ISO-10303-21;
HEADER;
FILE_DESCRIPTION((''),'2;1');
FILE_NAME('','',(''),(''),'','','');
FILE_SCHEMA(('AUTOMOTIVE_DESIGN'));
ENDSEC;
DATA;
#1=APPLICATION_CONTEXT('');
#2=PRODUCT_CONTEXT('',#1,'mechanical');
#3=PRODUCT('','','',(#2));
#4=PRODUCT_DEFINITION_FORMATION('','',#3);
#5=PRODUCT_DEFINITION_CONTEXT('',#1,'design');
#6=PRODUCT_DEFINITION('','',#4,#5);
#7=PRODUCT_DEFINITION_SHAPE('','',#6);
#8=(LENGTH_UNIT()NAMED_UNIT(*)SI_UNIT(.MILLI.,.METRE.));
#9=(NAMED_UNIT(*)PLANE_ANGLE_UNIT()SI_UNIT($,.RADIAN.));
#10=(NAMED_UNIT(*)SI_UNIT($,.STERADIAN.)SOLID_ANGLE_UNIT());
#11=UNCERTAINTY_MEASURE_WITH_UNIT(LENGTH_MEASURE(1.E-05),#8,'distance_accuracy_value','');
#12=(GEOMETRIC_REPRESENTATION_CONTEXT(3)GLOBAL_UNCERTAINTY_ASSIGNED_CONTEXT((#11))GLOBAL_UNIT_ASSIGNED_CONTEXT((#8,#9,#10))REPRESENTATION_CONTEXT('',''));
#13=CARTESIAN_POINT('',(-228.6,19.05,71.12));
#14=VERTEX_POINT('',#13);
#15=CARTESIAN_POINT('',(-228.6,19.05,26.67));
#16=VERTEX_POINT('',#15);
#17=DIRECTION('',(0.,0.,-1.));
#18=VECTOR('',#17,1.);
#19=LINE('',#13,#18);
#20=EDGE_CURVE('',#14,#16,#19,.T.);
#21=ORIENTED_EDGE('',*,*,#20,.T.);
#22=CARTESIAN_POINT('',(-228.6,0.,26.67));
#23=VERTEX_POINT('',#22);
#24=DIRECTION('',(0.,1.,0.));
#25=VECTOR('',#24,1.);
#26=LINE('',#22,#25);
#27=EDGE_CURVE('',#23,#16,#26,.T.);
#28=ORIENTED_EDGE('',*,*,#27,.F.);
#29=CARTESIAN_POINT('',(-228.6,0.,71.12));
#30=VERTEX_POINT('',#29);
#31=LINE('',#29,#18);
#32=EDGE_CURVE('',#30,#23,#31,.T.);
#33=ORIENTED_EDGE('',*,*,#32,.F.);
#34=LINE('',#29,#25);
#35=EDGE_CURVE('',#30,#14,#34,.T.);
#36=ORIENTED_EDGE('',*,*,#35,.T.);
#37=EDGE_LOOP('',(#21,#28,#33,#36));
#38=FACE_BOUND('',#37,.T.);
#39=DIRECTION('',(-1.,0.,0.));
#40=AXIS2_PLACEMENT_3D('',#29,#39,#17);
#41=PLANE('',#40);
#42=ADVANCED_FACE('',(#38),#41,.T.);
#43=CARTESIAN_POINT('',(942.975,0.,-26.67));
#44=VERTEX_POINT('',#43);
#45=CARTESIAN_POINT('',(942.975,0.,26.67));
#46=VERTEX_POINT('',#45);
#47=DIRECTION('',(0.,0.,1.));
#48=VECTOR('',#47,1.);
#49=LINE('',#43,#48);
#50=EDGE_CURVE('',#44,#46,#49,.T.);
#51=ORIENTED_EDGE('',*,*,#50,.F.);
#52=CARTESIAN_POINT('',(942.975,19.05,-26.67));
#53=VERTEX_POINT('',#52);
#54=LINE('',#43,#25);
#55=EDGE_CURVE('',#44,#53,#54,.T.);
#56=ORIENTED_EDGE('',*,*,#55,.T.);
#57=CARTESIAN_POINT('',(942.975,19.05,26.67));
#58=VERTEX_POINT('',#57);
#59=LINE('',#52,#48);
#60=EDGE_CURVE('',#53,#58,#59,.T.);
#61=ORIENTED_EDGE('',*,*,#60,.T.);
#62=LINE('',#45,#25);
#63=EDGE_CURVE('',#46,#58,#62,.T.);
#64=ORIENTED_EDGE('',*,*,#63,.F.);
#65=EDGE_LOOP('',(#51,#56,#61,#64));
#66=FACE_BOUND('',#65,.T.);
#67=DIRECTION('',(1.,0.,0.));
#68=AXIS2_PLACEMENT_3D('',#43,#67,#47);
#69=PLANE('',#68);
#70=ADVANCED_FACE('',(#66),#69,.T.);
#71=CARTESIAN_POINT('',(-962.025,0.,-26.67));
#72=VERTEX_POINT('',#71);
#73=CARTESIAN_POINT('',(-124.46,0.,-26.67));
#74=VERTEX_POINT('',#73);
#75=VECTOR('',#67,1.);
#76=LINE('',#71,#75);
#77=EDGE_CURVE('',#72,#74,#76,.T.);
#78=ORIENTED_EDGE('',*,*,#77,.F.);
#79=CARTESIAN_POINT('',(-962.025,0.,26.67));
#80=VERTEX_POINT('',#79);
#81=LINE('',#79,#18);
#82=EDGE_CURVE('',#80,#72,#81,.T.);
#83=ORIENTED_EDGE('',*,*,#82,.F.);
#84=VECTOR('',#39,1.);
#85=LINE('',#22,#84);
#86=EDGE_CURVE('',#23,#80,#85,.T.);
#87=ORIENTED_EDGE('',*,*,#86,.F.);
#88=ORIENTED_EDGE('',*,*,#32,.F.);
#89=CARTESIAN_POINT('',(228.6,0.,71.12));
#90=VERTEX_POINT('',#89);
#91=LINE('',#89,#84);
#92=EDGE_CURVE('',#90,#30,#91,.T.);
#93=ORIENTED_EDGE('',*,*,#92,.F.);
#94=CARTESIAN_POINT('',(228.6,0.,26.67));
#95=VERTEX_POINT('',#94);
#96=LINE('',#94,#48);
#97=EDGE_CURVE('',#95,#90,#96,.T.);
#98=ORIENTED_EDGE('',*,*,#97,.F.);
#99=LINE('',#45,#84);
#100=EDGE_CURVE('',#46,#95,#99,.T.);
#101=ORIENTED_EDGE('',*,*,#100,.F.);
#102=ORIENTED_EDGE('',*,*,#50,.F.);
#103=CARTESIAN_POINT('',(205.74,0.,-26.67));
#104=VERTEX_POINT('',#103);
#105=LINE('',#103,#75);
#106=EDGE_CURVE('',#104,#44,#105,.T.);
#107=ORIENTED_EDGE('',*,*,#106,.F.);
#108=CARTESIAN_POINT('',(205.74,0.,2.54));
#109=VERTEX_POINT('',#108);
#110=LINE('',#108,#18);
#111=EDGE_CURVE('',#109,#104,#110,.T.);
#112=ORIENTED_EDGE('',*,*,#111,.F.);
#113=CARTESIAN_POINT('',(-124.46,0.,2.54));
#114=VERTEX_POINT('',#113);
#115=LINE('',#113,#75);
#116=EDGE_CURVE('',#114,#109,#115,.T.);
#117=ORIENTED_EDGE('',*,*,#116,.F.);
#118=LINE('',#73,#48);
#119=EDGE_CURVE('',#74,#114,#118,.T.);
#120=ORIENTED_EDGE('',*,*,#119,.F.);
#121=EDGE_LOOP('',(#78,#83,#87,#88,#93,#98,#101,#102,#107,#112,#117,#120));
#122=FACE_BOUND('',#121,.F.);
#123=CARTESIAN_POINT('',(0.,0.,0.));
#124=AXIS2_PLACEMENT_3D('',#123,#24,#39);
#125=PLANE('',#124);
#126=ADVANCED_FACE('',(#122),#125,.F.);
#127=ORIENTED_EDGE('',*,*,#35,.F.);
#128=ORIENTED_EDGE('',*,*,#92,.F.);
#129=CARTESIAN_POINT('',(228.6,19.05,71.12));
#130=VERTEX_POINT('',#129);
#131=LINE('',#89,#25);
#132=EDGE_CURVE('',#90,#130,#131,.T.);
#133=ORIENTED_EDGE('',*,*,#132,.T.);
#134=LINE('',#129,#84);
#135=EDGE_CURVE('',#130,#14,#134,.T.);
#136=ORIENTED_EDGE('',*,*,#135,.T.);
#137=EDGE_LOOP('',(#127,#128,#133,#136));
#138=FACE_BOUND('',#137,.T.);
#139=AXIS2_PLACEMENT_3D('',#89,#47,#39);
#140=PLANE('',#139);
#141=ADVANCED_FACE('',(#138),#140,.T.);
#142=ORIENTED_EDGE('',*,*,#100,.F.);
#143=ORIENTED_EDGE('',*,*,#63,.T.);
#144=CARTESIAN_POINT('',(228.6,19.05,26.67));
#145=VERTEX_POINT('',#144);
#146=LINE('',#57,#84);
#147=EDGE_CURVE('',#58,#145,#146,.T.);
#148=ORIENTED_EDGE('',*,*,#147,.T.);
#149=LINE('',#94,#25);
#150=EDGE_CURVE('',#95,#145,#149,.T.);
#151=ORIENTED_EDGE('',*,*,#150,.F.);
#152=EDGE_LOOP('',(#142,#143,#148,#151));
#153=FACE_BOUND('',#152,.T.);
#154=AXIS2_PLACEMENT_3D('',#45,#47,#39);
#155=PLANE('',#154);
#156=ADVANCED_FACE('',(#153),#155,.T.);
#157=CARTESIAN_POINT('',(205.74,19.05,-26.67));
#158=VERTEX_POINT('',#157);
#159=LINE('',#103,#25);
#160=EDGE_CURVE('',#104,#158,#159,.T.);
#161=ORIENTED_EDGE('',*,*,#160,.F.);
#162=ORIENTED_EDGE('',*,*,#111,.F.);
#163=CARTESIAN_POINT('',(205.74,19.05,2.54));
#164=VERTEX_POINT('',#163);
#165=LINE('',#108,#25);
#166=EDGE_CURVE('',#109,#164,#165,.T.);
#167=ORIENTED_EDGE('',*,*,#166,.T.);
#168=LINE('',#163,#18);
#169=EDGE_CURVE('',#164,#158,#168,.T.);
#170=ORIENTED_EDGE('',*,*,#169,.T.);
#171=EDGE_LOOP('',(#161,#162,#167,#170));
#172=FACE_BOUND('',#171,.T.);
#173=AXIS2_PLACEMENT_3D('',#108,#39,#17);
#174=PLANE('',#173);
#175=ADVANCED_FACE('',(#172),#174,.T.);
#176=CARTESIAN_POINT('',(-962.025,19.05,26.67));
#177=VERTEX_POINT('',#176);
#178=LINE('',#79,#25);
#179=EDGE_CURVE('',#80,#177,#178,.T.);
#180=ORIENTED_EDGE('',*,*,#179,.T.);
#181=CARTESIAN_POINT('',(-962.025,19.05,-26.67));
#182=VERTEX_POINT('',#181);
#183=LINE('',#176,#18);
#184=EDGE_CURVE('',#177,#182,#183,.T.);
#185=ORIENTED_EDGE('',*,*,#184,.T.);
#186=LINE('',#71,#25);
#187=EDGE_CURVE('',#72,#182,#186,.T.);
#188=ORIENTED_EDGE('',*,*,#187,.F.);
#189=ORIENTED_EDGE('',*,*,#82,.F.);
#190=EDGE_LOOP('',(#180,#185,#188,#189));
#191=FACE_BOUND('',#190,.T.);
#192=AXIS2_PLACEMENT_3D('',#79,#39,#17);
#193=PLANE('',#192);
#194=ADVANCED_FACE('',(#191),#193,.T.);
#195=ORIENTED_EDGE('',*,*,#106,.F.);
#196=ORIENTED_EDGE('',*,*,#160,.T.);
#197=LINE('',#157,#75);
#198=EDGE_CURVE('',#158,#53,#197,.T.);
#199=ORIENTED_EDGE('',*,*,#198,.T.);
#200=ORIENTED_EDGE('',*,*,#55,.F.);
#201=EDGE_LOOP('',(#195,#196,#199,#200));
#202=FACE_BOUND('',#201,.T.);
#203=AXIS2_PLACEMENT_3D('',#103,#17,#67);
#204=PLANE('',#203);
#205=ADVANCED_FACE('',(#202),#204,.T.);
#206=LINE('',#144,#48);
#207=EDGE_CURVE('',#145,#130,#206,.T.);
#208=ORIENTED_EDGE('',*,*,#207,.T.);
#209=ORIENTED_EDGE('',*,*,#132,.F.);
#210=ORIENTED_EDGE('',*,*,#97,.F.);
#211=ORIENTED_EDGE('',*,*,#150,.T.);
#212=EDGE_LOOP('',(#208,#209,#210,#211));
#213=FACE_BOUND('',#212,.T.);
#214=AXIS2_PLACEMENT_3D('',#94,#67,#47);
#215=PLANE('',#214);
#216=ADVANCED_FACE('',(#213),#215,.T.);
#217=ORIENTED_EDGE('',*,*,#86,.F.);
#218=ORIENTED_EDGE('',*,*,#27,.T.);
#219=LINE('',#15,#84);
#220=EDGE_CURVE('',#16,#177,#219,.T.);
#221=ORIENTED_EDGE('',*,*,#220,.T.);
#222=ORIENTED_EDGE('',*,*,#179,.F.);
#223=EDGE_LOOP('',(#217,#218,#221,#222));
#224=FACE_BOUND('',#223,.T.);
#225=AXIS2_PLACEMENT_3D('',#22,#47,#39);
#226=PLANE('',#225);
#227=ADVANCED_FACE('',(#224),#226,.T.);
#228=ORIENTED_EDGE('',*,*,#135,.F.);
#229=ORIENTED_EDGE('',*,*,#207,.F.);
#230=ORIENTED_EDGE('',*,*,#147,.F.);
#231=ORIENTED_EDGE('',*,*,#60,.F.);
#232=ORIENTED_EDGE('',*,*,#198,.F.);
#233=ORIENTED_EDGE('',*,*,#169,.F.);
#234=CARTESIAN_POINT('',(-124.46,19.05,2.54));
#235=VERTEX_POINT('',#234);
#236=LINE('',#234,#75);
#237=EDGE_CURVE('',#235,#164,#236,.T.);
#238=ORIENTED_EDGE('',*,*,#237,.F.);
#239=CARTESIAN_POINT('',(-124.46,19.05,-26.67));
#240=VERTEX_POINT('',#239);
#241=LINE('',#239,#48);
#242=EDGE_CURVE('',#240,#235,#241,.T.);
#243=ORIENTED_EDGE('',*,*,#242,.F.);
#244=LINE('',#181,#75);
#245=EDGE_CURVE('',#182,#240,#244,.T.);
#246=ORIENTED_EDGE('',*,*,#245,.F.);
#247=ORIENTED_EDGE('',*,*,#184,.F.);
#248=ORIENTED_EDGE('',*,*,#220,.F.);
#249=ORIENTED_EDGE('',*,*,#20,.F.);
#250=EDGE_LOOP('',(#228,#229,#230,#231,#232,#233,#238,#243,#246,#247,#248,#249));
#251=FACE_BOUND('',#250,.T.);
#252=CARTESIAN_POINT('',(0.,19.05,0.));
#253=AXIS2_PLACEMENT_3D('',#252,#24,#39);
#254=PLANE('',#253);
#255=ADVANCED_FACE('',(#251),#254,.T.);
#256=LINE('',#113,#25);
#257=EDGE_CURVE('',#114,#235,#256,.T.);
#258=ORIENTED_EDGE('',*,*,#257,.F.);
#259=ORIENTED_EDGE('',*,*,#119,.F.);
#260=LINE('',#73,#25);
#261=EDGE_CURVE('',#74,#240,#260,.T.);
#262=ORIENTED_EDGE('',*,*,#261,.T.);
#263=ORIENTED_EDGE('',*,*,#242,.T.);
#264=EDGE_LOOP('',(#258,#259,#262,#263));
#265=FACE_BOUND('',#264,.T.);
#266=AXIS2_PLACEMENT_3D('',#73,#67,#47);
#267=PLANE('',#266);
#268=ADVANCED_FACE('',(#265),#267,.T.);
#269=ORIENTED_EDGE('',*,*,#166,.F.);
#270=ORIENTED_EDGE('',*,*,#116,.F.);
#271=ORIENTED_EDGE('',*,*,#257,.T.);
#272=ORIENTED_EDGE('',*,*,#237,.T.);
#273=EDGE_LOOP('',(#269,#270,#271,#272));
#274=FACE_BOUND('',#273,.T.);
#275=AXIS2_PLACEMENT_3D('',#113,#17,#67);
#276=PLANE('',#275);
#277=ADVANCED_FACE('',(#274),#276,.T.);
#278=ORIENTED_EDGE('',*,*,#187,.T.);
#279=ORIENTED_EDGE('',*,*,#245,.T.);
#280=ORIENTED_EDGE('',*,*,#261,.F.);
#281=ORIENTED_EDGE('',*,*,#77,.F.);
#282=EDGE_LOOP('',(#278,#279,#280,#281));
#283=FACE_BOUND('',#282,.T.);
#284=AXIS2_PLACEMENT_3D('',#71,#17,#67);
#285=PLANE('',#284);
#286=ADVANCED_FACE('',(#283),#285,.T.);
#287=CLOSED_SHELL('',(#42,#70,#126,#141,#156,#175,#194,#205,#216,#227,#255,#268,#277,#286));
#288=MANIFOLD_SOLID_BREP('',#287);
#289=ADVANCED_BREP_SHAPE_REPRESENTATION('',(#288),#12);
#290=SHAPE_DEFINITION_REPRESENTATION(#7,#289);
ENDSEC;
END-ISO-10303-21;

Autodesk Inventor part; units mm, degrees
ref_plane "YZ Plane" through (0, 0, 0) normal (1, 0, 0) x (0, 1, 0)
ref_plane "XZ Plane" through (0, 0, 0) normal (0, 1, 0) x (-1, 0, 0)
ref_plane "XY Plane" through (0, 0, 0) normal (0, 0, 1) x (1, 0, 0)
sketch "Sketch1" plane through (0, 0, 0) normal (0, 1, 0) x (-1, 0, 0)
  line L0 (-942.975, -26.67) -> (-942.975, 26.67)
  line L1 (-942.975, 26.67) -> (-228.6, 26.67)
  line L2 (-228.6, 26.67) -> (-228.6, 71.12)
  line L3 (-228.6, 71.12) -> (228.6, 71.12)
  line L4 (228.6, 71.12) -> (228.6, 26.67)
  line L5 (228.6, 26.67) -> (962.025, 26.67)
  line L6 (962.025, 26.67) -> (962.025, -26.67)
  line L7 (962.025, -26.67) -> (124.46, -26.67)
  line L8 (124.46, -26.67) -> (124.46, 2.54)
  line L9 (124.46, 2.54) -> (-205.74, 2.54)
  line L10 (-205.74, 2.54) -> (-205.74, -26.67)
  line L11 (-205.74, -26.67) -> (-942.975, -26.67)
  point P0 (0, 0)
  point P1 (-942.975, 0)
  point P2 (0, 71.12)
  dimension "d0" = 1905
  dimension "d1" = 53.34
  dimension "d2" = 53.34
  dimension "d3" = 68.58
  dimension "d4" = 22.86
  dimension "d5" = 104.14
  dimension "d6" = 29.21
  dimension "d7" = 457.2
  dimension "d8" = 714.375
extrude "Extrusion1" add sketch "Sketch1" along normal blind 19.05
equation "\"d2\" = d1"
properties part number "radialArmSawFence"
